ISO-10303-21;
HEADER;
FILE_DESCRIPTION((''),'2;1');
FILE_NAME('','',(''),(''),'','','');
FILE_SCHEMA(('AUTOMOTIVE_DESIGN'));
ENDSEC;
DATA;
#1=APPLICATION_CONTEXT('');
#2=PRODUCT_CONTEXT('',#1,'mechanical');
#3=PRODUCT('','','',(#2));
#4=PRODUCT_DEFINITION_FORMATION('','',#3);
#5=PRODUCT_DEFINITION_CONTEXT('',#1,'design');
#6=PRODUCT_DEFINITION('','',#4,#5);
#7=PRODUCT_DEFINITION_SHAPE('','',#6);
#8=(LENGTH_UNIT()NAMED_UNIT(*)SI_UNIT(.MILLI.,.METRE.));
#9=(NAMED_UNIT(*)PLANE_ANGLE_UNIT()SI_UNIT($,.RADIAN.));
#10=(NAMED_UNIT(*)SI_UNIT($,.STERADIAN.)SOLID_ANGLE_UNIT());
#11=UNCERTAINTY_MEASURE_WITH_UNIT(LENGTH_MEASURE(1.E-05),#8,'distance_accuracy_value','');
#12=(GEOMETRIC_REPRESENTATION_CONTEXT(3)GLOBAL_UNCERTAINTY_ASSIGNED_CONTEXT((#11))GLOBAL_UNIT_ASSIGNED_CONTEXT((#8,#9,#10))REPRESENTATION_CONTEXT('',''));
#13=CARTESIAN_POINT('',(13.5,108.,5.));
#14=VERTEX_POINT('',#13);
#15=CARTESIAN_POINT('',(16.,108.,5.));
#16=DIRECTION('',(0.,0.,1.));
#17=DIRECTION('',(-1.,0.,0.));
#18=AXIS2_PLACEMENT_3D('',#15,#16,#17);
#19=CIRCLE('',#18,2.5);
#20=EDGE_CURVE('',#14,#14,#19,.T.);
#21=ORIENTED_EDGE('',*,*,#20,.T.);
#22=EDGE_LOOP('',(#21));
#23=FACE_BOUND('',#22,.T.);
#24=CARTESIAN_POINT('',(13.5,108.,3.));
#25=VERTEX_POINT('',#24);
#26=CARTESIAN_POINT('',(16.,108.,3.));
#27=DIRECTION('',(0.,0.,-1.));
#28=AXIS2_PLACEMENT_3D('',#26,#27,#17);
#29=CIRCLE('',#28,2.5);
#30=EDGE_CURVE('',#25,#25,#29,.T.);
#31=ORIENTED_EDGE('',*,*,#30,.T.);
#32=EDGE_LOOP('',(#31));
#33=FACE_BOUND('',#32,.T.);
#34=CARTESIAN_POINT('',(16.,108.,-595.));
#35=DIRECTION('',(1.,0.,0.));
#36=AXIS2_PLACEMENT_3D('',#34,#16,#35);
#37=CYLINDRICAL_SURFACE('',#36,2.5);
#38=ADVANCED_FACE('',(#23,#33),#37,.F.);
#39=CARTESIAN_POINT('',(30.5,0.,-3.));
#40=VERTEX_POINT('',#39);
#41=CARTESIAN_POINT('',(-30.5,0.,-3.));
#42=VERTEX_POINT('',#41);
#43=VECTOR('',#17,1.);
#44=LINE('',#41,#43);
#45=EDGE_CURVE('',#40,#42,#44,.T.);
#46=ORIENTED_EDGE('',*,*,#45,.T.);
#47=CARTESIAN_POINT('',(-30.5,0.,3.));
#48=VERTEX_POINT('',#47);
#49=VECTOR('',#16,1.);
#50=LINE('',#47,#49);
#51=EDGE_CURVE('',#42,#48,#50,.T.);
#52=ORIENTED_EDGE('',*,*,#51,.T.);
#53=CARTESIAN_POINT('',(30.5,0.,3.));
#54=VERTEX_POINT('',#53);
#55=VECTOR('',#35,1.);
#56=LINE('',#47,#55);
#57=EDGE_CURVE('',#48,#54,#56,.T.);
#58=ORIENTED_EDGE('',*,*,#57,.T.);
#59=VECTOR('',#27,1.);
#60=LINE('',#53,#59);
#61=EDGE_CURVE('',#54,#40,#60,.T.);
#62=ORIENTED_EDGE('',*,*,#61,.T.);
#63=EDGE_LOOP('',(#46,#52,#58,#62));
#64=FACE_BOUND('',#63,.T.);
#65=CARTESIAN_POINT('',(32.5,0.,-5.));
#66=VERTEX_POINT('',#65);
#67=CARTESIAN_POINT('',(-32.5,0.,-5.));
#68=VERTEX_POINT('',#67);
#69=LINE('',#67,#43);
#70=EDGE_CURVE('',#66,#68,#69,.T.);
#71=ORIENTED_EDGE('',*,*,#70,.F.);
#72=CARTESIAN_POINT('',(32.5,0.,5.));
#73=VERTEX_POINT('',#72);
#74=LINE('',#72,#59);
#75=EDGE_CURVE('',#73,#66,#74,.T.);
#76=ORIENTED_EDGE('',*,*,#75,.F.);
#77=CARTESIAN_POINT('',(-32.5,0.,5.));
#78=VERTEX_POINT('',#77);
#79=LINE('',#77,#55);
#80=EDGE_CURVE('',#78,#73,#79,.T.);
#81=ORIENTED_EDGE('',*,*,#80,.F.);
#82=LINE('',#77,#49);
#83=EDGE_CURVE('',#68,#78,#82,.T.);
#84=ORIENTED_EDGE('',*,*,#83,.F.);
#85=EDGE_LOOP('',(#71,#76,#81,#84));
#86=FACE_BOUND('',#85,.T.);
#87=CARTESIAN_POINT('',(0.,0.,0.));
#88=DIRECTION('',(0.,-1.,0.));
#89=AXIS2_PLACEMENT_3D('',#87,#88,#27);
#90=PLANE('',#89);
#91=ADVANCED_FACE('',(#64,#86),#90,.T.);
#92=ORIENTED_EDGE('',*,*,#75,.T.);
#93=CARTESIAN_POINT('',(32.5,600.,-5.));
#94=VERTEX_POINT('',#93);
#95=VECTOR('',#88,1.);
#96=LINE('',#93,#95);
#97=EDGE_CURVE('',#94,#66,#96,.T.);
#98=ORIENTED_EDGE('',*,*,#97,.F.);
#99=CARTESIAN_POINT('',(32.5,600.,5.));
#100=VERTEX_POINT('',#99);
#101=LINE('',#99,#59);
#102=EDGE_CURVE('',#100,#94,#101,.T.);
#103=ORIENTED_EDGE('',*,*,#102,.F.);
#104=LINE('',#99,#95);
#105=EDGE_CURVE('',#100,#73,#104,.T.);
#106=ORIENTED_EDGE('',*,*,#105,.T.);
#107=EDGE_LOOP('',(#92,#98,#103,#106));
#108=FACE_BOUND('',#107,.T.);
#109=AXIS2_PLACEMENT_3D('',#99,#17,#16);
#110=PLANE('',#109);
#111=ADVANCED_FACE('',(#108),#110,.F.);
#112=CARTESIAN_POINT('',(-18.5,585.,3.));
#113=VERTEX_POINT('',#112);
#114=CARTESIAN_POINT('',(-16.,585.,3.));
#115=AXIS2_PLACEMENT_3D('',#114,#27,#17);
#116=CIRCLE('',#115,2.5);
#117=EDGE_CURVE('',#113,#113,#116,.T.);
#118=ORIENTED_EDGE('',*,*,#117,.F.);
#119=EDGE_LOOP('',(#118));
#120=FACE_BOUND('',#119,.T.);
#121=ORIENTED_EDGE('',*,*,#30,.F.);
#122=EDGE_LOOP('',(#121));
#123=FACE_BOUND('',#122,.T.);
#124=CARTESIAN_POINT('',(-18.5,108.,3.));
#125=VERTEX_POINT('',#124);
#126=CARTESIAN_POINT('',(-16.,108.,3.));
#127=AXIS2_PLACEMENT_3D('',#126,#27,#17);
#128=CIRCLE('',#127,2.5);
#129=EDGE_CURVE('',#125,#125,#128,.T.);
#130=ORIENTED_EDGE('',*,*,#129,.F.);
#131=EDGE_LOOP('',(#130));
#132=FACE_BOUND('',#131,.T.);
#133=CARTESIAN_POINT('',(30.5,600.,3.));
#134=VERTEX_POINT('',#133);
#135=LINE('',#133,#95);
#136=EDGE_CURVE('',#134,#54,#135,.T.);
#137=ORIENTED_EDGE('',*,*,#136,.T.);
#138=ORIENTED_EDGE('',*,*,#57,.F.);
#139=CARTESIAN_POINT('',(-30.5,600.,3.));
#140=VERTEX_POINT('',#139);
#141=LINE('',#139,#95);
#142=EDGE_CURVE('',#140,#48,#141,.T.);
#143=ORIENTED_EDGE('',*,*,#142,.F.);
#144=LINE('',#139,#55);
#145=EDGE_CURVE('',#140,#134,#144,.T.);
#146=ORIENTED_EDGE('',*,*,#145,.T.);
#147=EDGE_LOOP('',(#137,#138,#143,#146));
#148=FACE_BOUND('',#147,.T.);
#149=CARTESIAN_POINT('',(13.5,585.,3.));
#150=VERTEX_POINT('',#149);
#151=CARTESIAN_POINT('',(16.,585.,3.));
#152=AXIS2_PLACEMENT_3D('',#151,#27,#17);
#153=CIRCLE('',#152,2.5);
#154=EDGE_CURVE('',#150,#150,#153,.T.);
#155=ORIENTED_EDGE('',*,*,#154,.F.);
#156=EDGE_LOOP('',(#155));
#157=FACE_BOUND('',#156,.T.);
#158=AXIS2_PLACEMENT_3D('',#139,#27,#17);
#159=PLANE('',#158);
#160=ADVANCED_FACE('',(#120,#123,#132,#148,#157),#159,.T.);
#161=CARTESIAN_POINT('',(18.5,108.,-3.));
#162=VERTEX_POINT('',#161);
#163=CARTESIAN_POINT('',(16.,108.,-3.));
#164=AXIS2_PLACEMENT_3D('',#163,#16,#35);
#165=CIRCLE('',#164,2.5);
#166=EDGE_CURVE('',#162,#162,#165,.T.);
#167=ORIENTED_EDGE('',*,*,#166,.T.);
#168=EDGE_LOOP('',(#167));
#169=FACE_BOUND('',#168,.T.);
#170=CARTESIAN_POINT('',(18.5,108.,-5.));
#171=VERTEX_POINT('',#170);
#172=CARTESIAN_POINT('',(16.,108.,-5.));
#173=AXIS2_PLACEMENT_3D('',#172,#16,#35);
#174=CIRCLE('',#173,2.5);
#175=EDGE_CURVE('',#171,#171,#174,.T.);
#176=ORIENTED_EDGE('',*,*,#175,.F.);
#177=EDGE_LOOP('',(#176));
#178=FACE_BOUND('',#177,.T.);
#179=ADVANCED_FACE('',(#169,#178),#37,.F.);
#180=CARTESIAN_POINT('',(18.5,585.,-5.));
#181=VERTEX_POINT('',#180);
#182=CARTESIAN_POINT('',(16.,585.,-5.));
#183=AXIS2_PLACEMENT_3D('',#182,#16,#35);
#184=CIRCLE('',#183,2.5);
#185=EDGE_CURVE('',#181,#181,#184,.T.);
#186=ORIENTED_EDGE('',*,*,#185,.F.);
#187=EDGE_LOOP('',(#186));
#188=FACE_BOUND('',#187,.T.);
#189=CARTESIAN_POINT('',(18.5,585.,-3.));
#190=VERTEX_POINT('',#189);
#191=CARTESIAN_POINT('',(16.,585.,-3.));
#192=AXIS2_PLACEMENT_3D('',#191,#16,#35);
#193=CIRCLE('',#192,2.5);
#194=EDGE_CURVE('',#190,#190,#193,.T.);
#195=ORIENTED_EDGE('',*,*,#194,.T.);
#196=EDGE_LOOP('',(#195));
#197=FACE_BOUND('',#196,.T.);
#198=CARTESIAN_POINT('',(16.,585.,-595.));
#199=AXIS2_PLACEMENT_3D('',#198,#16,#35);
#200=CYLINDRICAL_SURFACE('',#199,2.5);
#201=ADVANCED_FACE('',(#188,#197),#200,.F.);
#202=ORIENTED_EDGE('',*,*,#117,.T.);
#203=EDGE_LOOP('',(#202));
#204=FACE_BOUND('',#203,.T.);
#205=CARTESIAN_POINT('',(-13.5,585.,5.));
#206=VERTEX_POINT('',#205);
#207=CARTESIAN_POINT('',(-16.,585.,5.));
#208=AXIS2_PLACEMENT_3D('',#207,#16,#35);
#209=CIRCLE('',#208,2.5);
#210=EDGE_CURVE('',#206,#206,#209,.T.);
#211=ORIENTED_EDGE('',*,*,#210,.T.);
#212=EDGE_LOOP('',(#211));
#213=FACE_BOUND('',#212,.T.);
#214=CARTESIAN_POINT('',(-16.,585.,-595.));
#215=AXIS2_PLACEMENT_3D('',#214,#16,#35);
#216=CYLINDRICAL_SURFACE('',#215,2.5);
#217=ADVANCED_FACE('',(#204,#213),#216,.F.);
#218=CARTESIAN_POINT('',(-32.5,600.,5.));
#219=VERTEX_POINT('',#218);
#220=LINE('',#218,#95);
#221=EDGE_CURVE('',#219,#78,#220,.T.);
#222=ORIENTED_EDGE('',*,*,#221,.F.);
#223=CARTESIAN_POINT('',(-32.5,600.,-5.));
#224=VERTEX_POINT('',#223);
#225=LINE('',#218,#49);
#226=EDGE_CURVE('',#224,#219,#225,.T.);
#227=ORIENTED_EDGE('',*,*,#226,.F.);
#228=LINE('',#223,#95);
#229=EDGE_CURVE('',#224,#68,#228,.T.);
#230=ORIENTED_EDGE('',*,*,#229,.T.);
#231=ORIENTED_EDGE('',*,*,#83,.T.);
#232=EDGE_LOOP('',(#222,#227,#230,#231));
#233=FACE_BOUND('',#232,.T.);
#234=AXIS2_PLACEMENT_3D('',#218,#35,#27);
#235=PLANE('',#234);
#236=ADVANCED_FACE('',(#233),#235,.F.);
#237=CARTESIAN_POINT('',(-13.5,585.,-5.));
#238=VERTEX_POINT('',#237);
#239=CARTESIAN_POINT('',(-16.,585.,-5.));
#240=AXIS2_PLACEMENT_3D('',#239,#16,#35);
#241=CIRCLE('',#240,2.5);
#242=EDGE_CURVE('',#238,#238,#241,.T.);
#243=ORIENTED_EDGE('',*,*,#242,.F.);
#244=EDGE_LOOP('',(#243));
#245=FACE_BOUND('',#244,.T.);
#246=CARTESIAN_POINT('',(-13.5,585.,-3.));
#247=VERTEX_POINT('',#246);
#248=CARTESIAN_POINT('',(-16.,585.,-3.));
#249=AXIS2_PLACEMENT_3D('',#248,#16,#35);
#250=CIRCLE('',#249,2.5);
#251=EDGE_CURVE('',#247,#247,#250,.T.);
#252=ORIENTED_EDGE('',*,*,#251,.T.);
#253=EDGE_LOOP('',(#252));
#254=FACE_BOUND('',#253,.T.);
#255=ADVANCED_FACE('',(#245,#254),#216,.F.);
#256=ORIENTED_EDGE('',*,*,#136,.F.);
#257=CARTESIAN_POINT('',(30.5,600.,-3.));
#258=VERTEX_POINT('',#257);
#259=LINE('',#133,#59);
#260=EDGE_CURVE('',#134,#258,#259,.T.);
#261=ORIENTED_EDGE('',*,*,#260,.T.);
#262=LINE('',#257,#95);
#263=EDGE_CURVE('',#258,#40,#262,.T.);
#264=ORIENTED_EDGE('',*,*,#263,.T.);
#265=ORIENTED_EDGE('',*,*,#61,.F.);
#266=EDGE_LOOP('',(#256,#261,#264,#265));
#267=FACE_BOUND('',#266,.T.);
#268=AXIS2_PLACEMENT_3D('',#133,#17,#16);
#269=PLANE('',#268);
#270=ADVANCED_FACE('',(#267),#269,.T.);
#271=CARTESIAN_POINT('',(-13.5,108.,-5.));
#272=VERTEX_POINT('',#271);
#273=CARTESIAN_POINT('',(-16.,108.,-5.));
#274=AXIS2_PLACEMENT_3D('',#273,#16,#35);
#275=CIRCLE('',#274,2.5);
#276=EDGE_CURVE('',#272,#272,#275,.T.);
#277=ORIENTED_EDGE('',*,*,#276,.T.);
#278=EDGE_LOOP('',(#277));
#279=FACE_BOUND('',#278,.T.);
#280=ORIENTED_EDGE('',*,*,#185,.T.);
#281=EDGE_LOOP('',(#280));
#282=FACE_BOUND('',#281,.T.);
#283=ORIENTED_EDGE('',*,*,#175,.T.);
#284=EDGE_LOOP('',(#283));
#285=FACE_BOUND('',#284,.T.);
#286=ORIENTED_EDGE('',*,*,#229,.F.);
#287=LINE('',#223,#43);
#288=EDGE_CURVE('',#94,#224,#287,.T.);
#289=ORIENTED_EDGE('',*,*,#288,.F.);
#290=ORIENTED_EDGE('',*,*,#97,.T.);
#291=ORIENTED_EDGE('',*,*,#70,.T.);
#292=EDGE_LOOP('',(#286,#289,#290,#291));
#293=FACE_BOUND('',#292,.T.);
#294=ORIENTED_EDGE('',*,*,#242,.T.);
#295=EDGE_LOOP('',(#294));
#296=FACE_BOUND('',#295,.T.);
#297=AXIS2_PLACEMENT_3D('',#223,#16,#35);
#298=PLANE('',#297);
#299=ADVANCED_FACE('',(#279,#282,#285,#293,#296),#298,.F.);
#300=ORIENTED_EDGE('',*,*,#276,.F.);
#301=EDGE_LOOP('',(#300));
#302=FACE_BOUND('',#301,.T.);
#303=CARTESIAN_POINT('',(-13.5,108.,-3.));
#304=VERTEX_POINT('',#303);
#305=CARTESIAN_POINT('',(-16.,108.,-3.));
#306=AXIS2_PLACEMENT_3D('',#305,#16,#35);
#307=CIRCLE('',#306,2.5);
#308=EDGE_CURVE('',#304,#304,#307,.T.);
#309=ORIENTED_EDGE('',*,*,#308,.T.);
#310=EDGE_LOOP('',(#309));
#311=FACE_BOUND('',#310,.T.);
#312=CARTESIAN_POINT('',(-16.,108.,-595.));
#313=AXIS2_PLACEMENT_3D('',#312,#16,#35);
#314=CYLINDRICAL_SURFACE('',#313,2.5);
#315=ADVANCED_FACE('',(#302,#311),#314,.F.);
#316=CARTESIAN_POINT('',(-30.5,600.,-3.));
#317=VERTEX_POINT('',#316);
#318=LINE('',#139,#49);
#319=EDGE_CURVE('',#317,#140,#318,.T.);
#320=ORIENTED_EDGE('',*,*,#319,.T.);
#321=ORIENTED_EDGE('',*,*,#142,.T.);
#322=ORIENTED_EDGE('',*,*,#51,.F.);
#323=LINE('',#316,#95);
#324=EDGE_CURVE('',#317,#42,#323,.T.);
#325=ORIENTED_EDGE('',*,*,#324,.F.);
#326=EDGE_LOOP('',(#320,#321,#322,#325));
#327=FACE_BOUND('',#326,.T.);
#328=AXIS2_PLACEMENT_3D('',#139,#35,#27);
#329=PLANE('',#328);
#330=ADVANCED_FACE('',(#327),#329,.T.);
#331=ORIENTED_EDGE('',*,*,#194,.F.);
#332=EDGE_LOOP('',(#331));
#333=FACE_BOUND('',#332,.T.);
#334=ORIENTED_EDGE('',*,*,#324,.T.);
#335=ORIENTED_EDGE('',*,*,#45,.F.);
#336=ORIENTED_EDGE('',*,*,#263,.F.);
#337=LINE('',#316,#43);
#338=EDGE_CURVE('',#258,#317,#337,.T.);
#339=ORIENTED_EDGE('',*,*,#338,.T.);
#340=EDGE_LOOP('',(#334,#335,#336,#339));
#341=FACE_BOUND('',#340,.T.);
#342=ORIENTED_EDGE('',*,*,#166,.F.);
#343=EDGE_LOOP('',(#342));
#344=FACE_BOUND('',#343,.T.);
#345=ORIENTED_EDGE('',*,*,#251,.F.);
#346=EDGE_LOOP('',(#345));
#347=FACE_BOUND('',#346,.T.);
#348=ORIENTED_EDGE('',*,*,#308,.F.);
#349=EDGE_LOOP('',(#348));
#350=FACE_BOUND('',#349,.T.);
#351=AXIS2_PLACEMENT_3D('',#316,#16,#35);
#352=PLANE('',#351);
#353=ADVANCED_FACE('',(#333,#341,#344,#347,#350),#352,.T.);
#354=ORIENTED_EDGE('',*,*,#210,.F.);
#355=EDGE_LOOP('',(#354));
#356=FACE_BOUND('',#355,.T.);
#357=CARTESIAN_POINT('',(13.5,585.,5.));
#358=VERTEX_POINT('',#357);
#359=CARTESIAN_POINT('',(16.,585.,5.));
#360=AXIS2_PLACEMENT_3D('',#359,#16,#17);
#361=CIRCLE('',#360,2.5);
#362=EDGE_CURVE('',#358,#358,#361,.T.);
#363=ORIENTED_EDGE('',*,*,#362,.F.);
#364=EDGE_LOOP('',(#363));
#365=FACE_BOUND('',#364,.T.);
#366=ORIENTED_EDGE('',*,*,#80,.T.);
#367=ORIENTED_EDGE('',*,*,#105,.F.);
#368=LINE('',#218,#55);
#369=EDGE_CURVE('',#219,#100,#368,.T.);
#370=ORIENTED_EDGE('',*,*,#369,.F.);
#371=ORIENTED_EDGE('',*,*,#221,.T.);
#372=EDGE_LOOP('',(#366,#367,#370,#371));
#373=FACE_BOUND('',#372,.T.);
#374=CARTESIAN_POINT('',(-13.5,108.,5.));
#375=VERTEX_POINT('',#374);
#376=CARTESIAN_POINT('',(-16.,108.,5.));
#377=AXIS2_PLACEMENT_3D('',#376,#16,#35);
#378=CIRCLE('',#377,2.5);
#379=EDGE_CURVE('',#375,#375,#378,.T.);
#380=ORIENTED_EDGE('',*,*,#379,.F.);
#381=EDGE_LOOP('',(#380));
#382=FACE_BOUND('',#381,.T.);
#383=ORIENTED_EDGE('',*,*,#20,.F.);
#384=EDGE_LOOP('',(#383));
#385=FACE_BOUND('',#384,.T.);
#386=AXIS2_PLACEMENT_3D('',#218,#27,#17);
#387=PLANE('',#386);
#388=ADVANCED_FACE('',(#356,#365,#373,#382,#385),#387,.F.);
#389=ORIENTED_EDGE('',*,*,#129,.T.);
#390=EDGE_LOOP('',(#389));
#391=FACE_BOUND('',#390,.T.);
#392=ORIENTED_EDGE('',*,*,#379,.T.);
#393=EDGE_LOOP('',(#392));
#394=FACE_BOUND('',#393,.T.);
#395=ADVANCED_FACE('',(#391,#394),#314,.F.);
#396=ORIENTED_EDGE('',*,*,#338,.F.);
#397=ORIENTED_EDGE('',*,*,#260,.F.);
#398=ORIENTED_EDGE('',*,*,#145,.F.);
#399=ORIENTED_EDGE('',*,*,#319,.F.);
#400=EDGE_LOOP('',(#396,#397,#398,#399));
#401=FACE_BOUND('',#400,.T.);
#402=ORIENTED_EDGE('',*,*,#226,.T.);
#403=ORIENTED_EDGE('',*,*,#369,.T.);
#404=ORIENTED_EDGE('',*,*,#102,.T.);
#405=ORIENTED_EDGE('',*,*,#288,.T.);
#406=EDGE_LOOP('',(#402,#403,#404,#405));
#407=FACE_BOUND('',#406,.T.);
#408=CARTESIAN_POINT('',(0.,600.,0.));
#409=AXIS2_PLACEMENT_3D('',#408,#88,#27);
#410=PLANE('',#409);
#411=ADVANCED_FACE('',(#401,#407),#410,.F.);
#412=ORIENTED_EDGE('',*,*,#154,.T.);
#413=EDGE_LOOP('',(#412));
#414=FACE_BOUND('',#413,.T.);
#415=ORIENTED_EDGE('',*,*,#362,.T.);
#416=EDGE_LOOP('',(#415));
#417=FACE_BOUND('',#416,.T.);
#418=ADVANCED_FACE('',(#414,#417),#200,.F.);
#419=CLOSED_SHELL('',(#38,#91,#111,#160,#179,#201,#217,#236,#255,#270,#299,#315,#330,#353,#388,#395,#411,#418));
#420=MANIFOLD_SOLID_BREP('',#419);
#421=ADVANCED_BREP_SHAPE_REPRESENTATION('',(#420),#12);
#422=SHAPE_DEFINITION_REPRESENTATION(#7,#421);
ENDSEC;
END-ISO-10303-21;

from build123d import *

# Parameters (mm, degrees)
SKETCH1_W           = 65
SKETCH1_H           = 10
SKETCH1_W_2         = 61
SKETCH1_H_2         = 6
BOSS_EXTRUDE1_DEPTH = 600
SKETCH2_R           = 2.5
CUT_EXTRUDE1_DEPTH  = 600


with BuildPart() as part:
    # Sketch1 → Boss-Extrude1 (new body)
    with BuildSketch(Plane(origin=(0, 0, 0), x_dir=(1, 0, 0), z_dir=(0, 1, 0))):
        Rectangle(SKETCH1_W, SKETCH1_H)
        Rectangle(SKETCH1_W_2, SKETCH1_H_2, mode=Mode.SUBTRACT)
    extrude(amount=BOSS_EXTRUDE1_DEPTH)

    # Sketch2 → Cut-Extrude1 (cut)
    with BuildSketch(Plane.XY.offset(5)):
        with Locations((-16, 108)):
            Circle(SKETCH2_R)
        with Locations((16, 108)):
            Circle(SKETCH2_R)
        with Locations((16, 585)):
            Circle(SKETCH2_R)
        with Locations((-16, 585)):
            Circle(SKETCH2_R)
    extrude(amount=-CUT_EXTRUDE1_DEPTH, mode=Mode.SUBTRACT)


solid = part.part
